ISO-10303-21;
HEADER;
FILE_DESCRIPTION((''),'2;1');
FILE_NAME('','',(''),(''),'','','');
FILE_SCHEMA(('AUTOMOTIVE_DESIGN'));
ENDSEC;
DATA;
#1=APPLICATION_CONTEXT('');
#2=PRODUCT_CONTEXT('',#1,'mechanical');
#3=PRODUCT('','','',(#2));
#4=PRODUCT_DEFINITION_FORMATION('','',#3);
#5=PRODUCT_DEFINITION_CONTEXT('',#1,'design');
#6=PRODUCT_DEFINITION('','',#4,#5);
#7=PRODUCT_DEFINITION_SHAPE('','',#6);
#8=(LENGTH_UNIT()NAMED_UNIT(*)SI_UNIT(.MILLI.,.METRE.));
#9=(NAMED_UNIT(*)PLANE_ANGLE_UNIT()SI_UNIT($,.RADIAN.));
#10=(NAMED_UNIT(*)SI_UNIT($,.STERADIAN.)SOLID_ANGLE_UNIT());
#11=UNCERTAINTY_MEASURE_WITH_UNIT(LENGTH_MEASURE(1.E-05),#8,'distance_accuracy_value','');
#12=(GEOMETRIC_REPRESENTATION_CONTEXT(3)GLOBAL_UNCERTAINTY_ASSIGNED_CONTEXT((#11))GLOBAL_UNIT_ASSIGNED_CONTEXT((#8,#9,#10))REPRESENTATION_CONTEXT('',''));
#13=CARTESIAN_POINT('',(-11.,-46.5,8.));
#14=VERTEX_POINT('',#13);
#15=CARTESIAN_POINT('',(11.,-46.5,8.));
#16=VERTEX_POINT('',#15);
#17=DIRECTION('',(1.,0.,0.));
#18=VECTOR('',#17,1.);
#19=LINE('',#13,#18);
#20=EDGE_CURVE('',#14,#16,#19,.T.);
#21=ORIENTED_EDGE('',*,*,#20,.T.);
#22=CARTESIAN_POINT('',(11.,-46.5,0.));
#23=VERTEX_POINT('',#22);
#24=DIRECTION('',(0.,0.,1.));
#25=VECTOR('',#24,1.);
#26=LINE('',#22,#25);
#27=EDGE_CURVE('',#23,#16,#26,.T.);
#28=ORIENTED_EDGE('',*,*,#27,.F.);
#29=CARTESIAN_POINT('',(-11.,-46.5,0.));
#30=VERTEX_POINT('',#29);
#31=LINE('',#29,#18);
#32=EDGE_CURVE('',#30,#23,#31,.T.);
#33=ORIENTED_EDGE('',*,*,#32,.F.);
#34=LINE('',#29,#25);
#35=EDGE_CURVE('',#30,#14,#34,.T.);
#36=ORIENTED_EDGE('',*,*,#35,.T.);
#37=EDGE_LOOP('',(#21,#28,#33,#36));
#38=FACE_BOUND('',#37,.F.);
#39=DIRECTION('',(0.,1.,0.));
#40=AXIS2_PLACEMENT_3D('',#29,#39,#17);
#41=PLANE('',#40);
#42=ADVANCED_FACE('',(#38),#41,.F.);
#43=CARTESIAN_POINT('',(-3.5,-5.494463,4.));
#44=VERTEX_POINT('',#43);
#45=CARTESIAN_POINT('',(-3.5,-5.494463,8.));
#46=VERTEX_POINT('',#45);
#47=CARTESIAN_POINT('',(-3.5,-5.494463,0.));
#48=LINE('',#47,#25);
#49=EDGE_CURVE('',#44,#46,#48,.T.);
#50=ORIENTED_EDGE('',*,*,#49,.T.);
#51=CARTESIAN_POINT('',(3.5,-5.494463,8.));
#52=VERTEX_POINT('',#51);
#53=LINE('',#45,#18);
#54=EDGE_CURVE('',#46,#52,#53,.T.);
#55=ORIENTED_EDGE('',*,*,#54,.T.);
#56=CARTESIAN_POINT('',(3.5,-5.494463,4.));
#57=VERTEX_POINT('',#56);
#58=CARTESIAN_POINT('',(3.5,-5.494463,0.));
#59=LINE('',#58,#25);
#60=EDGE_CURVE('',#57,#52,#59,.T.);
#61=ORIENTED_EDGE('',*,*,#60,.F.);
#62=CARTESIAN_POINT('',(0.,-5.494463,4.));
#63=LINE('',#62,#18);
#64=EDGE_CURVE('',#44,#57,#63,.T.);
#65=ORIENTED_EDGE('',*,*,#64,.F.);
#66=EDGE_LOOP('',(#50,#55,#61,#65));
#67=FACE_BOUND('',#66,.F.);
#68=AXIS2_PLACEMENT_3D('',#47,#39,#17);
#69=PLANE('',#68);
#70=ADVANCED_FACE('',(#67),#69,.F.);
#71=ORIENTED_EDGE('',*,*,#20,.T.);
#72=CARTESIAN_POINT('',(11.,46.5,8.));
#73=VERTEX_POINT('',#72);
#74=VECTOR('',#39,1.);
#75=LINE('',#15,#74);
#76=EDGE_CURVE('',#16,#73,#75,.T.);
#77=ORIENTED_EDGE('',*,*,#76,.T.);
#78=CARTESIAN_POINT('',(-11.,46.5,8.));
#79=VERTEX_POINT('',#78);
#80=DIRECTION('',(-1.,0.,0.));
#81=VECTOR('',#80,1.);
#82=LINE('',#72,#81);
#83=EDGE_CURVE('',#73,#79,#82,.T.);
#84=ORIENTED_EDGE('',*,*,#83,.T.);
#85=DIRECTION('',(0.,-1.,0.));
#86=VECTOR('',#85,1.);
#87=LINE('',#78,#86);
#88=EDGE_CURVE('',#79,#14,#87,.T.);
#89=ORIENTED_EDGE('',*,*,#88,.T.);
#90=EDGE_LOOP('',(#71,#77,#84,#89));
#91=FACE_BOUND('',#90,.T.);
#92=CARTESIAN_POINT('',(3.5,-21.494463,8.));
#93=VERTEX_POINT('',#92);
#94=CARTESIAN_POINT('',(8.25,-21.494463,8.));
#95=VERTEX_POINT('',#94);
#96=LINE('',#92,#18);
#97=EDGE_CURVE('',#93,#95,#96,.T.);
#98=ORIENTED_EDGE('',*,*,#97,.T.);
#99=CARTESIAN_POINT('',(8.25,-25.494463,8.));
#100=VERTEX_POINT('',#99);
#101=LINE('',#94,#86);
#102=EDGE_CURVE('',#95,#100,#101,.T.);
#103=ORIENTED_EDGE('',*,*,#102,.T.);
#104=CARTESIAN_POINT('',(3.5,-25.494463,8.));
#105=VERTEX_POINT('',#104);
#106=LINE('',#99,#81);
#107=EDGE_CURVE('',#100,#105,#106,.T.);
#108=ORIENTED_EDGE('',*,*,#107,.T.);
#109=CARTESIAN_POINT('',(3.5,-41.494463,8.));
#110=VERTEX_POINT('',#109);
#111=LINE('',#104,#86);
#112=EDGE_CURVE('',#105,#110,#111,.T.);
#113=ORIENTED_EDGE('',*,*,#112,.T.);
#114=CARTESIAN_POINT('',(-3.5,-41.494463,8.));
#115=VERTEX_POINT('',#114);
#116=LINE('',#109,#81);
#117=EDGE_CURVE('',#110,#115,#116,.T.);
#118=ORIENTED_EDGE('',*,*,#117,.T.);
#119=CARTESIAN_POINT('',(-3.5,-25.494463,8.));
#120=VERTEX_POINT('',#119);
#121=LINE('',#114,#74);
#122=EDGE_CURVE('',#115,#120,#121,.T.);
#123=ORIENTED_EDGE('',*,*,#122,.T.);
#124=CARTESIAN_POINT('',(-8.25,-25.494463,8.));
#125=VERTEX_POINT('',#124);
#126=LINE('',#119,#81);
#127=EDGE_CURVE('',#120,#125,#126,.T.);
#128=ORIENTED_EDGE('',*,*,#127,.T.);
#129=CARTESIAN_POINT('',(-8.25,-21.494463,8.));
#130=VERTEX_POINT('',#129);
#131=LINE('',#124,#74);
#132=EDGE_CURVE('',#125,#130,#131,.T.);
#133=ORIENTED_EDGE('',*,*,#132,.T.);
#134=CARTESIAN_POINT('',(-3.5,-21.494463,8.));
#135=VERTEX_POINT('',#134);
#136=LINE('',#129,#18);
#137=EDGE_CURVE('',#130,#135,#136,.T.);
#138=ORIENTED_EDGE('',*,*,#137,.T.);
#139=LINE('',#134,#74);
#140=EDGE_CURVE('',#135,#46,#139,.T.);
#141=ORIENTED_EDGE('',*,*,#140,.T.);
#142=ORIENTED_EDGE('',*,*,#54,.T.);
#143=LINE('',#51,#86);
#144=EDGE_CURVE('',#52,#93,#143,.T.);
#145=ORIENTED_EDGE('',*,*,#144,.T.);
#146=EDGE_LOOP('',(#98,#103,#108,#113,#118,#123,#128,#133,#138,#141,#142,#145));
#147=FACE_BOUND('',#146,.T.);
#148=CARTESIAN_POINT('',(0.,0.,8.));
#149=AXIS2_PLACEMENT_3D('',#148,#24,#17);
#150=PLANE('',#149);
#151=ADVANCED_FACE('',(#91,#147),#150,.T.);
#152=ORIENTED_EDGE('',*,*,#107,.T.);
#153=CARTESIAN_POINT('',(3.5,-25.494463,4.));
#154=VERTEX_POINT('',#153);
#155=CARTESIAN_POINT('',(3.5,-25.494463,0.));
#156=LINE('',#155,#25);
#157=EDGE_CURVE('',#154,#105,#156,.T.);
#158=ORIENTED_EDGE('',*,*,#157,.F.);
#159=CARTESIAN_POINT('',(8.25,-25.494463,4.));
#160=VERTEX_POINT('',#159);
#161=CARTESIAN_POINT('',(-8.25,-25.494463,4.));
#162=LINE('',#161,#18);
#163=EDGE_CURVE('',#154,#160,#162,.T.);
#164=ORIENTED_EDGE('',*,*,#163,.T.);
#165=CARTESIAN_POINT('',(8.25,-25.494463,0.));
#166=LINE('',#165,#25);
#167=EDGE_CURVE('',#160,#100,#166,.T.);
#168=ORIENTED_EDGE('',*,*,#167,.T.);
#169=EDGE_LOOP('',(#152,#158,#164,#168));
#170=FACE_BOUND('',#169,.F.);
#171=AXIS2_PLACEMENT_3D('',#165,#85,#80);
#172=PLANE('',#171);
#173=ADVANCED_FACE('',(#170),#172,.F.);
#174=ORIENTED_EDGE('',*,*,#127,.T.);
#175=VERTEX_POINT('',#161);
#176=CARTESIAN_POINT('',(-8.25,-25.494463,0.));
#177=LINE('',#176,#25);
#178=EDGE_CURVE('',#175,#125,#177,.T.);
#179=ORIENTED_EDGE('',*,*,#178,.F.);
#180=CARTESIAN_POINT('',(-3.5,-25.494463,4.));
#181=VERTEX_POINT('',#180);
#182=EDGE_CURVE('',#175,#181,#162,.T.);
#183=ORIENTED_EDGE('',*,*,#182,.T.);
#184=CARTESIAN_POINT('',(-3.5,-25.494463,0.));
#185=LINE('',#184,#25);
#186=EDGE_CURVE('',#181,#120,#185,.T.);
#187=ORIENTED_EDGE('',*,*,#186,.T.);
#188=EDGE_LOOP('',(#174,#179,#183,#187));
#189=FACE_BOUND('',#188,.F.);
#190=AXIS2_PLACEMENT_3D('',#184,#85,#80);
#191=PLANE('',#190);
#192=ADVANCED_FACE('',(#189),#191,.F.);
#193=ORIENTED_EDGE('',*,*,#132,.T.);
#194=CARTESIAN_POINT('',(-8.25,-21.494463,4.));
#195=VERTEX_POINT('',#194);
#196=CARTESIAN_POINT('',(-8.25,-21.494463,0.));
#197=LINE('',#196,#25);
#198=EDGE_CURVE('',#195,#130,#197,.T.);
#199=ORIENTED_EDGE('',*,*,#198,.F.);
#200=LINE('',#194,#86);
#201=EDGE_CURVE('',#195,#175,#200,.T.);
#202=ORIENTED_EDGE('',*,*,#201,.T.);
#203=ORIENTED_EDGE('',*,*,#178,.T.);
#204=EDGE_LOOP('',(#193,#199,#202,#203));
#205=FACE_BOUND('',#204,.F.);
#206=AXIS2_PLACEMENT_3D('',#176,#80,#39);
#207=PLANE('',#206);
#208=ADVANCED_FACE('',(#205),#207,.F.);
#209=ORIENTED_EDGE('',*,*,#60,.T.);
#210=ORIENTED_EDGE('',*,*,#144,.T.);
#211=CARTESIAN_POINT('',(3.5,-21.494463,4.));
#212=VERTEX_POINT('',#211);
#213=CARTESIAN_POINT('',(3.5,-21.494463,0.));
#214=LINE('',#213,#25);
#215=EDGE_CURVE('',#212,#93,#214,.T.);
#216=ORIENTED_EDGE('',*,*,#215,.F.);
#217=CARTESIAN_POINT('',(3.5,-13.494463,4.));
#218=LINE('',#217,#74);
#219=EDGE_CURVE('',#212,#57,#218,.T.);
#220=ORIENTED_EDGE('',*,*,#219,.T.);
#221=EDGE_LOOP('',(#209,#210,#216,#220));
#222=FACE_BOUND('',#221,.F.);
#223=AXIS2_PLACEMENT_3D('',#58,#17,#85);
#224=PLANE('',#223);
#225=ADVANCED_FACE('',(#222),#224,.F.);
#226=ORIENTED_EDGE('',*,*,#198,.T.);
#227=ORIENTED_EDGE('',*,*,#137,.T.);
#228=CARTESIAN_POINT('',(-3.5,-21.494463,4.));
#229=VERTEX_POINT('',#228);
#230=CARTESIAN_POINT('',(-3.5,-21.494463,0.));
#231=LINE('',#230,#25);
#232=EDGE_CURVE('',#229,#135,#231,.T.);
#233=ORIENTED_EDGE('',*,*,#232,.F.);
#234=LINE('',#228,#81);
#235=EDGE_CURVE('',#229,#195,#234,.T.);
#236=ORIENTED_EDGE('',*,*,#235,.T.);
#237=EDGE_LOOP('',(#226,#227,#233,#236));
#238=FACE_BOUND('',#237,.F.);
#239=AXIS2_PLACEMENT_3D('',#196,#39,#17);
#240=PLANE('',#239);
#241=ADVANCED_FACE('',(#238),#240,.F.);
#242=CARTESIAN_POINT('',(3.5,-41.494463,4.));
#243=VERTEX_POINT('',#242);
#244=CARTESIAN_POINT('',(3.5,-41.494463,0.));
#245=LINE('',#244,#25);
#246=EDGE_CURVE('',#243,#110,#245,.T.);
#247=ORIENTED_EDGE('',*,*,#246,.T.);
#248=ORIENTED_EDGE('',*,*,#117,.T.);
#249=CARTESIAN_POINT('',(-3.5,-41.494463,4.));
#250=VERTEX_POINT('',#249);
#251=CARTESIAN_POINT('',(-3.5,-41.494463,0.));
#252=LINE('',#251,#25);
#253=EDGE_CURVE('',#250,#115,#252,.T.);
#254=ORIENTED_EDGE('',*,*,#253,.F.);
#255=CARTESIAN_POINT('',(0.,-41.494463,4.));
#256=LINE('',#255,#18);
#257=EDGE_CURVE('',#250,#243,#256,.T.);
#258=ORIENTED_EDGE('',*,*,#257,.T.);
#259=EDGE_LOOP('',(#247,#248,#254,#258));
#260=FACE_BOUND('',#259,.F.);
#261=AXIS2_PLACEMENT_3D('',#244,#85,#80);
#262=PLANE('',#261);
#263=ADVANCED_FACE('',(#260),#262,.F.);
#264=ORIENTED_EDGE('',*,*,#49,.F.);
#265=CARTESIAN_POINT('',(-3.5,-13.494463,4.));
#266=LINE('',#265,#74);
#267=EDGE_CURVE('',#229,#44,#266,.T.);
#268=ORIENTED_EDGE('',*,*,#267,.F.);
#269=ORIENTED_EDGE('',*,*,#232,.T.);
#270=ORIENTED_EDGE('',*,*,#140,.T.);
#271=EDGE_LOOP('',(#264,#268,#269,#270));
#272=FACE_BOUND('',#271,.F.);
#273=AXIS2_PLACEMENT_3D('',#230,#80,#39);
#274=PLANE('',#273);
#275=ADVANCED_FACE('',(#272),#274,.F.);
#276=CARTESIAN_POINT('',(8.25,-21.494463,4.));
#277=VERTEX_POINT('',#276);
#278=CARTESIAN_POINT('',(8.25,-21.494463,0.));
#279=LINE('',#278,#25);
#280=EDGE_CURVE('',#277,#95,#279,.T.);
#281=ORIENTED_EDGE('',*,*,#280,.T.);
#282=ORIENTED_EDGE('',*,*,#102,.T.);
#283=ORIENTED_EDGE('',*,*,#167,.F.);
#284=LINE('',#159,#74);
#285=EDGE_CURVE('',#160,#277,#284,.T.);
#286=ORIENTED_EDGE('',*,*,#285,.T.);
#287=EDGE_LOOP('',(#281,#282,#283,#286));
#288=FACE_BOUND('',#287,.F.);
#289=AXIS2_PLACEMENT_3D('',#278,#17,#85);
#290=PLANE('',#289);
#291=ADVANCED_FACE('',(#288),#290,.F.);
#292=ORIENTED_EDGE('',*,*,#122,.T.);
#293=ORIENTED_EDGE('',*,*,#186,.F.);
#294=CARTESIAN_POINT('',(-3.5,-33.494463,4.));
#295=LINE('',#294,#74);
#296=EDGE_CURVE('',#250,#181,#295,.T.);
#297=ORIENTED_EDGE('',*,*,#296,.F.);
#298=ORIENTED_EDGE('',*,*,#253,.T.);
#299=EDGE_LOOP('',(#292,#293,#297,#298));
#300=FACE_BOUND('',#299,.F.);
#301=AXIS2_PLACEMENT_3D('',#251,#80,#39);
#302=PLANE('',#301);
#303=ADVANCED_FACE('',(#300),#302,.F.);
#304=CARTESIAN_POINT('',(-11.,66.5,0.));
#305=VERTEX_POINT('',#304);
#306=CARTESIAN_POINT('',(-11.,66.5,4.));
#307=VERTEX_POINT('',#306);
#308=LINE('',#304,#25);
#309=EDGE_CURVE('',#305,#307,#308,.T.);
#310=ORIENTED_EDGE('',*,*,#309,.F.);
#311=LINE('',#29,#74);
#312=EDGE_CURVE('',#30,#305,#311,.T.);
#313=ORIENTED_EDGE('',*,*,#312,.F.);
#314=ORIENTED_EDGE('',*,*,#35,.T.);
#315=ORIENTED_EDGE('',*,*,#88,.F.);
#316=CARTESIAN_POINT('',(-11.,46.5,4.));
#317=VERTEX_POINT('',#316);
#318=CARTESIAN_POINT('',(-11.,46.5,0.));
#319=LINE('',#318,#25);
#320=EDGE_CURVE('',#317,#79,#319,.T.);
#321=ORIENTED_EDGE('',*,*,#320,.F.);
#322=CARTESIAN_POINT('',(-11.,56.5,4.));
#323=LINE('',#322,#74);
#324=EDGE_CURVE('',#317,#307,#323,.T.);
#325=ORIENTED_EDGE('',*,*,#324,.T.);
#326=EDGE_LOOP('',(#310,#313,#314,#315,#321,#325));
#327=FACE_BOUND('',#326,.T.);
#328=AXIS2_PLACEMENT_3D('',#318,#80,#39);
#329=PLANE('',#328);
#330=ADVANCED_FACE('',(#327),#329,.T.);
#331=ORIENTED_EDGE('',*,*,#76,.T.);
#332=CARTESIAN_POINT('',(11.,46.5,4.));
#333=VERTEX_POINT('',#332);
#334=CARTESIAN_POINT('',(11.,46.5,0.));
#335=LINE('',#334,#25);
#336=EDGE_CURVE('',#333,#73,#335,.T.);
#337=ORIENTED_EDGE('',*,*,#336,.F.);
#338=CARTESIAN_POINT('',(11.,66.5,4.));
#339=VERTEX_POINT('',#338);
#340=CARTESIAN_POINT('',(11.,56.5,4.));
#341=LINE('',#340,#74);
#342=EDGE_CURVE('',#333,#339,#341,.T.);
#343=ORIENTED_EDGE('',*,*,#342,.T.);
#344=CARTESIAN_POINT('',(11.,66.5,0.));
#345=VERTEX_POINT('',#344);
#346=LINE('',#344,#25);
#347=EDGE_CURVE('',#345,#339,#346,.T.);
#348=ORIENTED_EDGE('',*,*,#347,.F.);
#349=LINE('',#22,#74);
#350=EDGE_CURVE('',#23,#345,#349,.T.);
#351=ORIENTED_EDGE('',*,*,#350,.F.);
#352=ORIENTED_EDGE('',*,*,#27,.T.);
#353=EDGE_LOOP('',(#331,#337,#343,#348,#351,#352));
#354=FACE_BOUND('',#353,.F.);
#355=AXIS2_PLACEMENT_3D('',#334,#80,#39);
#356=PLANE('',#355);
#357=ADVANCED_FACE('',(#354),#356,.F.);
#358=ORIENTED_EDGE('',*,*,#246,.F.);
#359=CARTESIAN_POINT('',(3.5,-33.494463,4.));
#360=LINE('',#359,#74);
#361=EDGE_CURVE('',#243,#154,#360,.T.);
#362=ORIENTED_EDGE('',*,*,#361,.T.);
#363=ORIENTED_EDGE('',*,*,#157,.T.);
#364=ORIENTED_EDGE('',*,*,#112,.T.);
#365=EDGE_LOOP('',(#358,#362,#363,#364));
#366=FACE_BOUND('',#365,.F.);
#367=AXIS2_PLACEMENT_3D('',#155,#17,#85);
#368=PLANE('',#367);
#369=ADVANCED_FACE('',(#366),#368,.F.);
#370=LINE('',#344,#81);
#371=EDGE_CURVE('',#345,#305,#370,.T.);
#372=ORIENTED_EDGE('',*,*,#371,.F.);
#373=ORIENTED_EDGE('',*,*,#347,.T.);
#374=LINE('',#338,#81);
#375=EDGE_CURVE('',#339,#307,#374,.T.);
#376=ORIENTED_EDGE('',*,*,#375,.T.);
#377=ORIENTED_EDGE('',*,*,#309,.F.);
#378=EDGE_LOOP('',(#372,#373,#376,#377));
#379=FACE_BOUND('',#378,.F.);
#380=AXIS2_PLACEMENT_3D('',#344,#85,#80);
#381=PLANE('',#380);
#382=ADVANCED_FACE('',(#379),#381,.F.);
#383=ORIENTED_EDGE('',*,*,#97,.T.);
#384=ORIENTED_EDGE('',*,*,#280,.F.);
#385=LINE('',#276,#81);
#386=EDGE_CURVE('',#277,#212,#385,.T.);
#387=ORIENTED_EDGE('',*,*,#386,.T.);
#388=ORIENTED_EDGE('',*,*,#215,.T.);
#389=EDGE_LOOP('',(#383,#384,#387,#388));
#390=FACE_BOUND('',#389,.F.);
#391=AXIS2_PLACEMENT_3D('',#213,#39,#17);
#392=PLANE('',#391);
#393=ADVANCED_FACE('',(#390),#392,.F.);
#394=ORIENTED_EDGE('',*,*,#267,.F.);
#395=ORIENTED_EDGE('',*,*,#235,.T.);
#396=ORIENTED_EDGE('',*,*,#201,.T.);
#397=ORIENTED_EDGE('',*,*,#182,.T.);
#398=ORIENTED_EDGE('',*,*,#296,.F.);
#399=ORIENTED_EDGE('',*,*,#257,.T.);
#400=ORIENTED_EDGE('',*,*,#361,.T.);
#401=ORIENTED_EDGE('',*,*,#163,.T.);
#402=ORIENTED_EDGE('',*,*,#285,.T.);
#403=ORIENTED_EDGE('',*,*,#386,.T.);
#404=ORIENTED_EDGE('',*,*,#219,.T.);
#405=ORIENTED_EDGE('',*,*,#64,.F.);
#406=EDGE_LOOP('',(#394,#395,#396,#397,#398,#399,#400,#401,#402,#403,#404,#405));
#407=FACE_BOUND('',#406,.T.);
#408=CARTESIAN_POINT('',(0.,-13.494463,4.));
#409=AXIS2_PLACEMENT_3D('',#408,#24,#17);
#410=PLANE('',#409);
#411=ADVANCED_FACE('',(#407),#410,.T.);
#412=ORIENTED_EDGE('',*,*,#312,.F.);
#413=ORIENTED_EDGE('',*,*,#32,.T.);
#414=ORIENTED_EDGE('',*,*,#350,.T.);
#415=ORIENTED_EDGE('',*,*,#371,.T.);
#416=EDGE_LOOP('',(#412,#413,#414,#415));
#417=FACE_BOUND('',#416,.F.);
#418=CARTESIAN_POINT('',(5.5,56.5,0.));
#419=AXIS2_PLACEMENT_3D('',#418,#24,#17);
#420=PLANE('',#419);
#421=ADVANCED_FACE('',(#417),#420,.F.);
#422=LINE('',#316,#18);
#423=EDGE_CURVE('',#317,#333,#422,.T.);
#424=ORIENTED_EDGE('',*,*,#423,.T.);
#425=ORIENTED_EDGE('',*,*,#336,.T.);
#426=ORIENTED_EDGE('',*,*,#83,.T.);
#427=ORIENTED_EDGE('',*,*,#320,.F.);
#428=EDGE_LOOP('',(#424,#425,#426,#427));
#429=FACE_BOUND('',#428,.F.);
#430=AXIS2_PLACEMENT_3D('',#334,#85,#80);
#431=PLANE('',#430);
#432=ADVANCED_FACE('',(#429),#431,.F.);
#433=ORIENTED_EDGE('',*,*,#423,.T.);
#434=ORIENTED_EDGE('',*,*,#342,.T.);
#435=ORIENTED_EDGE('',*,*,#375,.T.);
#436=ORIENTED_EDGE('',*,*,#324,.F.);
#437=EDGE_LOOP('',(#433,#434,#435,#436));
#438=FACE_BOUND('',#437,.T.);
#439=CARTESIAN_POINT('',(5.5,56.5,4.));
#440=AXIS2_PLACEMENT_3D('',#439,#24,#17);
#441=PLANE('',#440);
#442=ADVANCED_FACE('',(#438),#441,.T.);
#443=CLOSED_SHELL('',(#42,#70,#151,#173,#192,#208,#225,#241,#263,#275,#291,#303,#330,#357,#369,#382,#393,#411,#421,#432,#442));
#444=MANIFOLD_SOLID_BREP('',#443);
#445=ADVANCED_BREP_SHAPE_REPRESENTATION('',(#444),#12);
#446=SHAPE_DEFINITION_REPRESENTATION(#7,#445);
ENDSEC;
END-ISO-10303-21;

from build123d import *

# Parameters (mm, degrees)
F1_DEPTH = 8
F0_W     = 11
F0_H     = 20
F0_W_2   = 7
F0_H_2   = 16
F2_DEPTH = 4


with BuildPart() as f1:
    # F0 (on Top) → F1 (new body)
    with BuildSketch(Plane.XY):
        Polygon((11, -46.5), (11, 46.5), (0, 46.5), (-11, 46.5), (-11, -46.5), align=None)
        Polygon((8.25, -21.494463), (8.25, -25.494463), (3.5, -25.494463), (3.5, -41.494463), (-3.5, -41.494463), (-3.5, -25.494463), (-8.25, -25.494463), (-8.25, -21.494463), (-3.5, -21.494463), (-3.5, -5.494463), (3.5, -5.494463), (3.5, -21.494463), align=None, mode=Mode.SUBTRACT)
    extrude(amount=F1_DEPTH)

    # F0 (on Top) → F2 (join)
    with BuildSketch(Plane.XY):
        with Locations((5.5, 56.5)):
            Rectangle(F0_W, F0_H)
        with Locations((0, -13.494463)):
            Rectangle(F0_W_2, F0_H_2)
        Polygon((3.5, -25.494463), (8.25, -25.494463), (8.25, -21.494463), (3.5, -21.494463), (-3.5, -21.494463), (-8.25, -21.494463), (-8.25, -25.494463), (-3.5, -25.494463), align=None)
        with Locations((0, -33.494463)):
            Rectangle(F0_W_2, F0_H_2)
        with Locations((-5.5, 56.5)):
            Rectangle(F0_W, F0_H)
    extrude(amount=F2_DEPTH)


solid = f1.part
